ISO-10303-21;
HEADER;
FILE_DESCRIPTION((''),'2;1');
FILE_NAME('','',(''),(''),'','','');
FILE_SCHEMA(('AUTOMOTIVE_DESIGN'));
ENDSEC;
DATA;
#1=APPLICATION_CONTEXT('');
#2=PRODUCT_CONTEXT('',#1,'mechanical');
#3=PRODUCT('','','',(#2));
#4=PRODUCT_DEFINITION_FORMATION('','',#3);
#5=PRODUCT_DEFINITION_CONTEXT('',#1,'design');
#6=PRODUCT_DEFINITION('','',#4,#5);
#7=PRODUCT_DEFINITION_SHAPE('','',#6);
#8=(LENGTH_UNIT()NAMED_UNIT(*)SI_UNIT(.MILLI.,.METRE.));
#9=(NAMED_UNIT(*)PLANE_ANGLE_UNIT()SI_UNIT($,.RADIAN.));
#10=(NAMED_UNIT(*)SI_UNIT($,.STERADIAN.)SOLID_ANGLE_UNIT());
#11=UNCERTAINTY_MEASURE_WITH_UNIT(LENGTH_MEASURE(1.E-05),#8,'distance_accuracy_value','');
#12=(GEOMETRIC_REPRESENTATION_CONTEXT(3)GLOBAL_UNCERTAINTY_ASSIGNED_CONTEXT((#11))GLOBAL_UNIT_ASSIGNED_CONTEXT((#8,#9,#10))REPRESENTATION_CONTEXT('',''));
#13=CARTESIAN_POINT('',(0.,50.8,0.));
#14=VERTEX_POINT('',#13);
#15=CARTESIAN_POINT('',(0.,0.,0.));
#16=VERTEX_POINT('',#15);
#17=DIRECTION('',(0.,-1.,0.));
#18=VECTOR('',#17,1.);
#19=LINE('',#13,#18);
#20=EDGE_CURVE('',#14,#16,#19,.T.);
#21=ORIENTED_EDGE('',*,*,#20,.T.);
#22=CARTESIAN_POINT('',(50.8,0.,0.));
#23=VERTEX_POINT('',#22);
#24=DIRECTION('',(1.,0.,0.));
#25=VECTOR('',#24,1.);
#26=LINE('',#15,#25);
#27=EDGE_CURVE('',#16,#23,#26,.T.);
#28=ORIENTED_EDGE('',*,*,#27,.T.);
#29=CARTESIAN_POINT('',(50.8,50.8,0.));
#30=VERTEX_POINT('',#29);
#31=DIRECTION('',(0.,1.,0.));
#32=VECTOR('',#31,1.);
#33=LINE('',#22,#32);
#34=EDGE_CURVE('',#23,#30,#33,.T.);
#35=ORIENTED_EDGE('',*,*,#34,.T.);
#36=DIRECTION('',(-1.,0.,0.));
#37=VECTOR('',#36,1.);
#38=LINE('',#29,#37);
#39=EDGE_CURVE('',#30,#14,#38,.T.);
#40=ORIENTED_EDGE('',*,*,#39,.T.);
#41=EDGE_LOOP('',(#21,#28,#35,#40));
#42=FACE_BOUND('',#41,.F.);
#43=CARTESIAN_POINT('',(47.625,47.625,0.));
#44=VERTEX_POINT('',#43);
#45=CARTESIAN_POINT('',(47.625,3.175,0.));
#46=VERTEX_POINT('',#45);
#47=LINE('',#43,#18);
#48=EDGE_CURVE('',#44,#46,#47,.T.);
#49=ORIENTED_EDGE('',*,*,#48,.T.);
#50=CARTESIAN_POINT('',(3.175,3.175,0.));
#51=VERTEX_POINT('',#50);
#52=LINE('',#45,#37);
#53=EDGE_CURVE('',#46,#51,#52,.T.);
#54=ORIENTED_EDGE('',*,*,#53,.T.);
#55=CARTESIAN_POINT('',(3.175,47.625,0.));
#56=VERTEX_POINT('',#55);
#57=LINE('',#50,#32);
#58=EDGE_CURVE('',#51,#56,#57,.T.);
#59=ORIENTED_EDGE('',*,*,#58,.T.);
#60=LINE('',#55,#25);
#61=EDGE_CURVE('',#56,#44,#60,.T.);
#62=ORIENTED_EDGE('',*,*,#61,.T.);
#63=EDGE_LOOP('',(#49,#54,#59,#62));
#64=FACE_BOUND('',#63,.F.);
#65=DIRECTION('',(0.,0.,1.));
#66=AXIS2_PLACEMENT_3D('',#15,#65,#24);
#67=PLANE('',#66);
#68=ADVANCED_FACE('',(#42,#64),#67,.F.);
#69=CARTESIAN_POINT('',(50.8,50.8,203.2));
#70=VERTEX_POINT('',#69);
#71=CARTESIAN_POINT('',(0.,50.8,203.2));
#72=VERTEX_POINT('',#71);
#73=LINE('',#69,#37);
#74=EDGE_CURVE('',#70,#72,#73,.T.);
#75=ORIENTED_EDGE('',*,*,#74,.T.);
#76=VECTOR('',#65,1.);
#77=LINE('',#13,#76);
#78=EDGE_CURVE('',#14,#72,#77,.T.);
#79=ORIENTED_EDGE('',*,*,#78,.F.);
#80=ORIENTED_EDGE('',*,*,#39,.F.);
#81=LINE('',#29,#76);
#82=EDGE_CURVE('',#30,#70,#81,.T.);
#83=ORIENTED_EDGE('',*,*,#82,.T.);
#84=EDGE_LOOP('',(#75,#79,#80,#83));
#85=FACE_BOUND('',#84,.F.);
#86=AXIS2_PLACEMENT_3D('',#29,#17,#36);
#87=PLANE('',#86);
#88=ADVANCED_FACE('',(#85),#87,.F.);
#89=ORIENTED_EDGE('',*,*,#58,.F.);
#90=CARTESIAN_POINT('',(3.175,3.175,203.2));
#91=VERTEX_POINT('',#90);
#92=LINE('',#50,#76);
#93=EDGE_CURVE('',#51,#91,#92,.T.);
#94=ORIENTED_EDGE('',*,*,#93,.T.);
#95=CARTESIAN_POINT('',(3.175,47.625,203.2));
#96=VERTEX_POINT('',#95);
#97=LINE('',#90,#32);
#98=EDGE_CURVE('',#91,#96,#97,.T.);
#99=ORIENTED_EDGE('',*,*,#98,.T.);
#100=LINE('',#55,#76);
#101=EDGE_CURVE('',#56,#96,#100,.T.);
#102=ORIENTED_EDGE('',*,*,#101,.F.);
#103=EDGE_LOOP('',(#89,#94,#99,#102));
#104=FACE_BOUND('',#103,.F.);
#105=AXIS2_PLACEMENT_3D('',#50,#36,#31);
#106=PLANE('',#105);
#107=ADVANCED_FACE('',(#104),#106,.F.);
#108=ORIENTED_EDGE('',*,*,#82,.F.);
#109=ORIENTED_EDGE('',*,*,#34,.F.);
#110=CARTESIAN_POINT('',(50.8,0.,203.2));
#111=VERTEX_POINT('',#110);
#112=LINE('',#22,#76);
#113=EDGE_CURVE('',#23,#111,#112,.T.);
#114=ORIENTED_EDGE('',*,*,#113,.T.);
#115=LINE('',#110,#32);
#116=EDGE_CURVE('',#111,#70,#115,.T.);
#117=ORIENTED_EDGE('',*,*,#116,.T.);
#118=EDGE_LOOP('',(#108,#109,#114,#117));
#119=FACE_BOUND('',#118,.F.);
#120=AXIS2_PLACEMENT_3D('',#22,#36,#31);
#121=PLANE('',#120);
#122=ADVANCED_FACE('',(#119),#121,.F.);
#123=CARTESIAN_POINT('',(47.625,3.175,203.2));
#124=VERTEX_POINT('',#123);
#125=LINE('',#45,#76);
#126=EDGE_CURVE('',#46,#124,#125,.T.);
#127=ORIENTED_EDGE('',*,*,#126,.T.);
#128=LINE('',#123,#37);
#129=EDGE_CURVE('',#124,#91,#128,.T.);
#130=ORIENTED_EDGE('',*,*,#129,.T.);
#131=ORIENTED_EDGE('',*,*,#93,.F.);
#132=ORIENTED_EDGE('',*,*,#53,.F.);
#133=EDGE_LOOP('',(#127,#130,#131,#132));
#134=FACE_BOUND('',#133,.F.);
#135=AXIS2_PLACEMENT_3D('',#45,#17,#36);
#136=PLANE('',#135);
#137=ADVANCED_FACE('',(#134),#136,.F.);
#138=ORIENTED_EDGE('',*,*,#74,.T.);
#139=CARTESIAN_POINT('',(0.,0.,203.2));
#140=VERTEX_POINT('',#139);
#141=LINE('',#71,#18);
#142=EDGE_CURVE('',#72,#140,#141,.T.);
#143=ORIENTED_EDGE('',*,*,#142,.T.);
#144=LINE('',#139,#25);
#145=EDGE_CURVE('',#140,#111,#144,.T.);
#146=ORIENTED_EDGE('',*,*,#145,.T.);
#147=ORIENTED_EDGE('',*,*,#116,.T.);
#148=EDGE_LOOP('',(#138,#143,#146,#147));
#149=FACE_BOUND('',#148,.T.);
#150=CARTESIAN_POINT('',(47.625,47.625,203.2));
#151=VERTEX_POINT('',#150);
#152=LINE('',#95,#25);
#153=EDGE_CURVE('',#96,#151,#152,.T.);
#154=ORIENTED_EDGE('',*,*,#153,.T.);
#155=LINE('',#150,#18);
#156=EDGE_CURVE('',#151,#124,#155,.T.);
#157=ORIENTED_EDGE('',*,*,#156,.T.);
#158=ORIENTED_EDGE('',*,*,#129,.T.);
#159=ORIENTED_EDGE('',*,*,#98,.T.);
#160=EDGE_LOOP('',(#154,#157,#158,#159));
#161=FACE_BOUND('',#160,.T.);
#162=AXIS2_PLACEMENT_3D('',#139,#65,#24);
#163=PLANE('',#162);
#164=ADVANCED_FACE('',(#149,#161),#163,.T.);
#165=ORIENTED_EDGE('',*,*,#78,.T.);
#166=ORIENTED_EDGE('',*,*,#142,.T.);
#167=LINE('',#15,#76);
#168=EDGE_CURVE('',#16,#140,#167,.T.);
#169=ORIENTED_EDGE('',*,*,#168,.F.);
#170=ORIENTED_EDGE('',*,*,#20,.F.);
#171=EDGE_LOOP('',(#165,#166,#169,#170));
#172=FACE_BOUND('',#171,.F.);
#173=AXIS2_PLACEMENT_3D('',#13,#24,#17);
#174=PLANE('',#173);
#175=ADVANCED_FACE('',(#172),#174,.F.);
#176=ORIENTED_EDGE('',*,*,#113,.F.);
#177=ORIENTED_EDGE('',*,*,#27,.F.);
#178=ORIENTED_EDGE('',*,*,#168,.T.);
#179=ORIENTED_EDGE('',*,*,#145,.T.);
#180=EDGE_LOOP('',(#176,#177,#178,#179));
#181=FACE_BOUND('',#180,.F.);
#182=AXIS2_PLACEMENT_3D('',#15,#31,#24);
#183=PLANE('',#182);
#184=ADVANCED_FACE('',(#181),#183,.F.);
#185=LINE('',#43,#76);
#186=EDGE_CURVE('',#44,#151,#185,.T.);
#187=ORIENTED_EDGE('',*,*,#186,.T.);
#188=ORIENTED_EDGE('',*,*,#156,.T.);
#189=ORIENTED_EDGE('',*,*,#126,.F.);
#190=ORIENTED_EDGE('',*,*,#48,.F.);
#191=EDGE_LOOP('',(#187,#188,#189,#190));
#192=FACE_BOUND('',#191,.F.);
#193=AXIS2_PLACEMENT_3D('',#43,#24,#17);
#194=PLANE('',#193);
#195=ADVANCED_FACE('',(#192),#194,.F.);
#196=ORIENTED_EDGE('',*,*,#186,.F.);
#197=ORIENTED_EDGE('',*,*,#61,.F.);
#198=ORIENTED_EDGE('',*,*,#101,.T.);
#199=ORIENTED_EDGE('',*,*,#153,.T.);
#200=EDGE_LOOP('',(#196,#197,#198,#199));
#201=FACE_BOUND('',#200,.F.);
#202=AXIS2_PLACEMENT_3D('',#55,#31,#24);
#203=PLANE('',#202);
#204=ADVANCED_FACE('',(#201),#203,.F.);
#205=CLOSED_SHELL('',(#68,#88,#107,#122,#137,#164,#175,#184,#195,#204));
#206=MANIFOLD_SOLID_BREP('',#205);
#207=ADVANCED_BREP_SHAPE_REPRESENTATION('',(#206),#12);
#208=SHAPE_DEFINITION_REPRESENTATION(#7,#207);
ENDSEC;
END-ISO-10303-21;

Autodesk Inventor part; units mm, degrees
ref_plane "YZ Plane" through (0, 0, 0) normal (1, 0, 0) x (0, 1, 0)
ref_plane "XZ Plane" through (0, 0, 0) normal (0, 1, 0) x (-1, 0, 0)
ref_plane "XY Plane" through (0, 0, 0) normal (0, 0, 1) x (1, 0, 0)
sketch "Sketch1" plane through (0, 0, 0) normal (0, 0, 1) x (1, 0, 0)
  line L0 (0, 0) -> (50.8, 0)
  line L1 (50.8, 0) -> (50.8, 50.8)
  line L2 (50.8, 50.8) -> (0, 50.8)
  line L3 (0, 50.8) -> (0, 0)
  line L4 (3.175, 47.625) -> (47.625, 47.625)
  line L5 (47.625, 47.625) -> (47.625, 3.175)
  line L6 (47.625, 3.175) -> (3.175, 3.175)
  line L7 (3.175, 3.175) -> (3.175, 47.625)
  dimension "d0" = 50.8
  dimension "d1" = 50.8
  dimension "d2" = 3.175
extrude "Extrusion1" add sketch "Sketch1" along normal blind 203.2
properties part number "2x2x8"
